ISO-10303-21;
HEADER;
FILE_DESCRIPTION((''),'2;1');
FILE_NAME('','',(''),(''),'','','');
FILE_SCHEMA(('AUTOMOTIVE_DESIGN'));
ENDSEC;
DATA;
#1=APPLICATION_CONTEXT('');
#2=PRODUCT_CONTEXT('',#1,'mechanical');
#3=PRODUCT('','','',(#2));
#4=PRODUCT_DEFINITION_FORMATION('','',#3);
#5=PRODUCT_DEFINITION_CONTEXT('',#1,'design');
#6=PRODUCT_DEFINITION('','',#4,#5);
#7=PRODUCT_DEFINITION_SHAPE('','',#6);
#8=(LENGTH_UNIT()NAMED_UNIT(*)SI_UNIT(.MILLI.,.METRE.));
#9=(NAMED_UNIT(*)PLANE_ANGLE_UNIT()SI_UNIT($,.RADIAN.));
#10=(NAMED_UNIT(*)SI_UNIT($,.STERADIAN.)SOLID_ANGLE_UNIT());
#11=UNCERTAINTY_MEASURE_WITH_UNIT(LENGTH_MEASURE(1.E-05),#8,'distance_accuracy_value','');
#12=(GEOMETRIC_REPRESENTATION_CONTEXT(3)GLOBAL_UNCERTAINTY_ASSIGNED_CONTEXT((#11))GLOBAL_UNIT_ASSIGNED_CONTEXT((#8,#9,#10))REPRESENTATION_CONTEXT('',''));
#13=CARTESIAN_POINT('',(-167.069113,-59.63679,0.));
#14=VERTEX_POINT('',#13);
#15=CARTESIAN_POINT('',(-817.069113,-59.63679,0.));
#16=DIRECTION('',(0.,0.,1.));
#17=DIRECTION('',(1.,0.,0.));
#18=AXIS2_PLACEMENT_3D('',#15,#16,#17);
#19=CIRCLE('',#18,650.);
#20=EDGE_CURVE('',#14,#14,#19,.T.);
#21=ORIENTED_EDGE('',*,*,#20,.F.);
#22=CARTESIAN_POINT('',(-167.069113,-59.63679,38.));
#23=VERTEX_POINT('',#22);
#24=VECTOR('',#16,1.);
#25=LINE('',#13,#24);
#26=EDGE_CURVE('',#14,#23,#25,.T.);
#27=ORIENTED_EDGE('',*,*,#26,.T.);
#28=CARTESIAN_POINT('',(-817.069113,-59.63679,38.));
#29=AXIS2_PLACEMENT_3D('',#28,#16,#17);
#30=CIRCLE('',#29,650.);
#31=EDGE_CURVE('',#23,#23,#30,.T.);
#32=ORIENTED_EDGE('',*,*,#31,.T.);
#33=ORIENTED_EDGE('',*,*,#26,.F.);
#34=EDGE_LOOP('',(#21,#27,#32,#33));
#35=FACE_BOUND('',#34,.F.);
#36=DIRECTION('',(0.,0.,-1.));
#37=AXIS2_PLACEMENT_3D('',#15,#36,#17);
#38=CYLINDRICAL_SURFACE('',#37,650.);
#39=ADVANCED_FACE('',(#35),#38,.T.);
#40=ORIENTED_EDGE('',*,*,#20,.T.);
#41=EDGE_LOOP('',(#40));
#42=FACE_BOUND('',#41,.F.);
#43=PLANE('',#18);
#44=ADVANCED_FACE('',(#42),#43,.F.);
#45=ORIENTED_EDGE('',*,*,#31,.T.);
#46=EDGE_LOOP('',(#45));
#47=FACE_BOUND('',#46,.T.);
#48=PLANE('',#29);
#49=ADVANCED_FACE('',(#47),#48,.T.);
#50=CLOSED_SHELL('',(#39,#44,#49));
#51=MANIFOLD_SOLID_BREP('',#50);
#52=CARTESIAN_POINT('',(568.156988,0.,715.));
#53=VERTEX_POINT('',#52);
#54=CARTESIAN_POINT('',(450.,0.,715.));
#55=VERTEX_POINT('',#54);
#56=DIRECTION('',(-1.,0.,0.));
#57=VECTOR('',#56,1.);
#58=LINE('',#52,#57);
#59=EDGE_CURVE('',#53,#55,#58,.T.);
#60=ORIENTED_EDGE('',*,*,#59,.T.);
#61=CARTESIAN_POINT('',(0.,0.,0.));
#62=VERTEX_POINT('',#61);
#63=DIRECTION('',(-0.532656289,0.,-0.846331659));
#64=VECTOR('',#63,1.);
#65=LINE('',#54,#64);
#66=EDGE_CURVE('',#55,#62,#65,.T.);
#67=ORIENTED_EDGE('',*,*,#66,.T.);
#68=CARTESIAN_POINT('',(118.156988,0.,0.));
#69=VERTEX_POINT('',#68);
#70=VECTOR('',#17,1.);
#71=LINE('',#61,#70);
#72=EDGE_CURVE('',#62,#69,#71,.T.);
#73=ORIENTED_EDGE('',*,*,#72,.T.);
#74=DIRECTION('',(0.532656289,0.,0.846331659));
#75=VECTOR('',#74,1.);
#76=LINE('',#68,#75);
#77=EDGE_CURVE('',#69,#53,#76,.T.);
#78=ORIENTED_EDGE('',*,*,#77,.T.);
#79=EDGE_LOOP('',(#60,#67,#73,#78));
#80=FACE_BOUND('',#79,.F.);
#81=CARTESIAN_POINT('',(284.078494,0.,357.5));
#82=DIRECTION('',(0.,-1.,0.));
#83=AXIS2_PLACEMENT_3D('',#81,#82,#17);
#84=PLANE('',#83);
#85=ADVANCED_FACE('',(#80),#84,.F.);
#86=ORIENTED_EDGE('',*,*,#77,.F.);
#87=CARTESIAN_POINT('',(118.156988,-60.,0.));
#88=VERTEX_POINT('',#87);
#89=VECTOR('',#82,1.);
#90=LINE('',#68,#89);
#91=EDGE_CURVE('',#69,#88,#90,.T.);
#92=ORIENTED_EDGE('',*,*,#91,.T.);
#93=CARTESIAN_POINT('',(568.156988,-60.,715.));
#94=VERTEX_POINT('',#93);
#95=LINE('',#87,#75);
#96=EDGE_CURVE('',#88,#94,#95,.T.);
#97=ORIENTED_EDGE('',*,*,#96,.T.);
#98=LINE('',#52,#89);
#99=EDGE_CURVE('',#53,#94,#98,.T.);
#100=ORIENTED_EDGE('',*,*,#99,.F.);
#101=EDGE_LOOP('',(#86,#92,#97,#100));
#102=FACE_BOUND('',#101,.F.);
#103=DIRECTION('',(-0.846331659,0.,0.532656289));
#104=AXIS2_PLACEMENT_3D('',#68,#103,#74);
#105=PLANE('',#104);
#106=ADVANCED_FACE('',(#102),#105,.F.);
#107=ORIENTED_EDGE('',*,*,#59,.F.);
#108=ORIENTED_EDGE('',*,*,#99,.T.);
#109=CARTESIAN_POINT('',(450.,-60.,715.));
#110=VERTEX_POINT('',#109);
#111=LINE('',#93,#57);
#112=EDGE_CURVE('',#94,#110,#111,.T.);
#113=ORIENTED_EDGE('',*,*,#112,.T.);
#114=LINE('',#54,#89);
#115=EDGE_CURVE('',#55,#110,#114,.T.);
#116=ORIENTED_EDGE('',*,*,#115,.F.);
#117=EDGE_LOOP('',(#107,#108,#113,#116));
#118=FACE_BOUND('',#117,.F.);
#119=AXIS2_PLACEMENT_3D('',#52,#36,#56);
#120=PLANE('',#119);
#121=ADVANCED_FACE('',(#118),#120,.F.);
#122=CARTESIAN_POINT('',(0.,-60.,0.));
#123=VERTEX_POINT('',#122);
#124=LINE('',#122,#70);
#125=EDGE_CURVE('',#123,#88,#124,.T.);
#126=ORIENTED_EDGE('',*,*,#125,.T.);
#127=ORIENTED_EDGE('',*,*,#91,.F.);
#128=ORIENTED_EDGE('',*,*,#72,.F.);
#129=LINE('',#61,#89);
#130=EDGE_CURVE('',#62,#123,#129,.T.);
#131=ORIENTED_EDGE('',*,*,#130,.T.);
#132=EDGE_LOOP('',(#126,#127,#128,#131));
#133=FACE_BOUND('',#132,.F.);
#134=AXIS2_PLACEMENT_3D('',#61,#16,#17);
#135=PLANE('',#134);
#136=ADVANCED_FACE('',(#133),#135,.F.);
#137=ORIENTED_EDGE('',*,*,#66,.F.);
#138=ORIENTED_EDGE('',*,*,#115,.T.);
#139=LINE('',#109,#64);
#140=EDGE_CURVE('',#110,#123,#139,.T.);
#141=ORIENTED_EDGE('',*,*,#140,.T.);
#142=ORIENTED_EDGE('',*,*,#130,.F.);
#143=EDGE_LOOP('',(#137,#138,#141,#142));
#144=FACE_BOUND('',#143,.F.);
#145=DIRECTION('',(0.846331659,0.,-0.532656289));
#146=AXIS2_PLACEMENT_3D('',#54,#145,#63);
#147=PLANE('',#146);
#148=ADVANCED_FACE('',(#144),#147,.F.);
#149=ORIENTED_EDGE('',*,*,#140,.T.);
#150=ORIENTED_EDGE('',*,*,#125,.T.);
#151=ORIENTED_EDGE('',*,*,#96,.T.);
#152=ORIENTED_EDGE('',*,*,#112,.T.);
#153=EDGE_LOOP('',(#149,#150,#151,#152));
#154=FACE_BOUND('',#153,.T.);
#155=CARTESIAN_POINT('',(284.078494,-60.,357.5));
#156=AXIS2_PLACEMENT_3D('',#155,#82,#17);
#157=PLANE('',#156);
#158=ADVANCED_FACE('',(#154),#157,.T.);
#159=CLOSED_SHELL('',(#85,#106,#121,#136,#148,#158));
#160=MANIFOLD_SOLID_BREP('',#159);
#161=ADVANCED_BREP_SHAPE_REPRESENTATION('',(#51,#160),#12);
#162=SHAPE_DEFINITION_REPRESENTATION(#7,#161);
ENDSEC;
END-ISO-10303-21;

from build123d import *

# Parameters (mm, degrees)
F1_DEPTH = 60
F2_R     = 650
F3_DEPTH = 38


with BuildPart() as f1:
    # F0 (on Front) → F1 (new body)
    with BuildSketch(Plane.XZ):
        Polygon((450, 715), (0, 0), (118.156988, 0), (568.156988, 715), align=None)
    extrude(amount=F1_DEPTH)


with BuildPart() as f3:
    # F2 (on Top) → F3 (new body)
    with BuildSketch(Plane.XY):
        with Locations((-817.069113, -59.63679)):
            Circle(F2_R)
    extrude(amount=F3_DEPTH)


solid = Compound([f1.part, f3.part])
